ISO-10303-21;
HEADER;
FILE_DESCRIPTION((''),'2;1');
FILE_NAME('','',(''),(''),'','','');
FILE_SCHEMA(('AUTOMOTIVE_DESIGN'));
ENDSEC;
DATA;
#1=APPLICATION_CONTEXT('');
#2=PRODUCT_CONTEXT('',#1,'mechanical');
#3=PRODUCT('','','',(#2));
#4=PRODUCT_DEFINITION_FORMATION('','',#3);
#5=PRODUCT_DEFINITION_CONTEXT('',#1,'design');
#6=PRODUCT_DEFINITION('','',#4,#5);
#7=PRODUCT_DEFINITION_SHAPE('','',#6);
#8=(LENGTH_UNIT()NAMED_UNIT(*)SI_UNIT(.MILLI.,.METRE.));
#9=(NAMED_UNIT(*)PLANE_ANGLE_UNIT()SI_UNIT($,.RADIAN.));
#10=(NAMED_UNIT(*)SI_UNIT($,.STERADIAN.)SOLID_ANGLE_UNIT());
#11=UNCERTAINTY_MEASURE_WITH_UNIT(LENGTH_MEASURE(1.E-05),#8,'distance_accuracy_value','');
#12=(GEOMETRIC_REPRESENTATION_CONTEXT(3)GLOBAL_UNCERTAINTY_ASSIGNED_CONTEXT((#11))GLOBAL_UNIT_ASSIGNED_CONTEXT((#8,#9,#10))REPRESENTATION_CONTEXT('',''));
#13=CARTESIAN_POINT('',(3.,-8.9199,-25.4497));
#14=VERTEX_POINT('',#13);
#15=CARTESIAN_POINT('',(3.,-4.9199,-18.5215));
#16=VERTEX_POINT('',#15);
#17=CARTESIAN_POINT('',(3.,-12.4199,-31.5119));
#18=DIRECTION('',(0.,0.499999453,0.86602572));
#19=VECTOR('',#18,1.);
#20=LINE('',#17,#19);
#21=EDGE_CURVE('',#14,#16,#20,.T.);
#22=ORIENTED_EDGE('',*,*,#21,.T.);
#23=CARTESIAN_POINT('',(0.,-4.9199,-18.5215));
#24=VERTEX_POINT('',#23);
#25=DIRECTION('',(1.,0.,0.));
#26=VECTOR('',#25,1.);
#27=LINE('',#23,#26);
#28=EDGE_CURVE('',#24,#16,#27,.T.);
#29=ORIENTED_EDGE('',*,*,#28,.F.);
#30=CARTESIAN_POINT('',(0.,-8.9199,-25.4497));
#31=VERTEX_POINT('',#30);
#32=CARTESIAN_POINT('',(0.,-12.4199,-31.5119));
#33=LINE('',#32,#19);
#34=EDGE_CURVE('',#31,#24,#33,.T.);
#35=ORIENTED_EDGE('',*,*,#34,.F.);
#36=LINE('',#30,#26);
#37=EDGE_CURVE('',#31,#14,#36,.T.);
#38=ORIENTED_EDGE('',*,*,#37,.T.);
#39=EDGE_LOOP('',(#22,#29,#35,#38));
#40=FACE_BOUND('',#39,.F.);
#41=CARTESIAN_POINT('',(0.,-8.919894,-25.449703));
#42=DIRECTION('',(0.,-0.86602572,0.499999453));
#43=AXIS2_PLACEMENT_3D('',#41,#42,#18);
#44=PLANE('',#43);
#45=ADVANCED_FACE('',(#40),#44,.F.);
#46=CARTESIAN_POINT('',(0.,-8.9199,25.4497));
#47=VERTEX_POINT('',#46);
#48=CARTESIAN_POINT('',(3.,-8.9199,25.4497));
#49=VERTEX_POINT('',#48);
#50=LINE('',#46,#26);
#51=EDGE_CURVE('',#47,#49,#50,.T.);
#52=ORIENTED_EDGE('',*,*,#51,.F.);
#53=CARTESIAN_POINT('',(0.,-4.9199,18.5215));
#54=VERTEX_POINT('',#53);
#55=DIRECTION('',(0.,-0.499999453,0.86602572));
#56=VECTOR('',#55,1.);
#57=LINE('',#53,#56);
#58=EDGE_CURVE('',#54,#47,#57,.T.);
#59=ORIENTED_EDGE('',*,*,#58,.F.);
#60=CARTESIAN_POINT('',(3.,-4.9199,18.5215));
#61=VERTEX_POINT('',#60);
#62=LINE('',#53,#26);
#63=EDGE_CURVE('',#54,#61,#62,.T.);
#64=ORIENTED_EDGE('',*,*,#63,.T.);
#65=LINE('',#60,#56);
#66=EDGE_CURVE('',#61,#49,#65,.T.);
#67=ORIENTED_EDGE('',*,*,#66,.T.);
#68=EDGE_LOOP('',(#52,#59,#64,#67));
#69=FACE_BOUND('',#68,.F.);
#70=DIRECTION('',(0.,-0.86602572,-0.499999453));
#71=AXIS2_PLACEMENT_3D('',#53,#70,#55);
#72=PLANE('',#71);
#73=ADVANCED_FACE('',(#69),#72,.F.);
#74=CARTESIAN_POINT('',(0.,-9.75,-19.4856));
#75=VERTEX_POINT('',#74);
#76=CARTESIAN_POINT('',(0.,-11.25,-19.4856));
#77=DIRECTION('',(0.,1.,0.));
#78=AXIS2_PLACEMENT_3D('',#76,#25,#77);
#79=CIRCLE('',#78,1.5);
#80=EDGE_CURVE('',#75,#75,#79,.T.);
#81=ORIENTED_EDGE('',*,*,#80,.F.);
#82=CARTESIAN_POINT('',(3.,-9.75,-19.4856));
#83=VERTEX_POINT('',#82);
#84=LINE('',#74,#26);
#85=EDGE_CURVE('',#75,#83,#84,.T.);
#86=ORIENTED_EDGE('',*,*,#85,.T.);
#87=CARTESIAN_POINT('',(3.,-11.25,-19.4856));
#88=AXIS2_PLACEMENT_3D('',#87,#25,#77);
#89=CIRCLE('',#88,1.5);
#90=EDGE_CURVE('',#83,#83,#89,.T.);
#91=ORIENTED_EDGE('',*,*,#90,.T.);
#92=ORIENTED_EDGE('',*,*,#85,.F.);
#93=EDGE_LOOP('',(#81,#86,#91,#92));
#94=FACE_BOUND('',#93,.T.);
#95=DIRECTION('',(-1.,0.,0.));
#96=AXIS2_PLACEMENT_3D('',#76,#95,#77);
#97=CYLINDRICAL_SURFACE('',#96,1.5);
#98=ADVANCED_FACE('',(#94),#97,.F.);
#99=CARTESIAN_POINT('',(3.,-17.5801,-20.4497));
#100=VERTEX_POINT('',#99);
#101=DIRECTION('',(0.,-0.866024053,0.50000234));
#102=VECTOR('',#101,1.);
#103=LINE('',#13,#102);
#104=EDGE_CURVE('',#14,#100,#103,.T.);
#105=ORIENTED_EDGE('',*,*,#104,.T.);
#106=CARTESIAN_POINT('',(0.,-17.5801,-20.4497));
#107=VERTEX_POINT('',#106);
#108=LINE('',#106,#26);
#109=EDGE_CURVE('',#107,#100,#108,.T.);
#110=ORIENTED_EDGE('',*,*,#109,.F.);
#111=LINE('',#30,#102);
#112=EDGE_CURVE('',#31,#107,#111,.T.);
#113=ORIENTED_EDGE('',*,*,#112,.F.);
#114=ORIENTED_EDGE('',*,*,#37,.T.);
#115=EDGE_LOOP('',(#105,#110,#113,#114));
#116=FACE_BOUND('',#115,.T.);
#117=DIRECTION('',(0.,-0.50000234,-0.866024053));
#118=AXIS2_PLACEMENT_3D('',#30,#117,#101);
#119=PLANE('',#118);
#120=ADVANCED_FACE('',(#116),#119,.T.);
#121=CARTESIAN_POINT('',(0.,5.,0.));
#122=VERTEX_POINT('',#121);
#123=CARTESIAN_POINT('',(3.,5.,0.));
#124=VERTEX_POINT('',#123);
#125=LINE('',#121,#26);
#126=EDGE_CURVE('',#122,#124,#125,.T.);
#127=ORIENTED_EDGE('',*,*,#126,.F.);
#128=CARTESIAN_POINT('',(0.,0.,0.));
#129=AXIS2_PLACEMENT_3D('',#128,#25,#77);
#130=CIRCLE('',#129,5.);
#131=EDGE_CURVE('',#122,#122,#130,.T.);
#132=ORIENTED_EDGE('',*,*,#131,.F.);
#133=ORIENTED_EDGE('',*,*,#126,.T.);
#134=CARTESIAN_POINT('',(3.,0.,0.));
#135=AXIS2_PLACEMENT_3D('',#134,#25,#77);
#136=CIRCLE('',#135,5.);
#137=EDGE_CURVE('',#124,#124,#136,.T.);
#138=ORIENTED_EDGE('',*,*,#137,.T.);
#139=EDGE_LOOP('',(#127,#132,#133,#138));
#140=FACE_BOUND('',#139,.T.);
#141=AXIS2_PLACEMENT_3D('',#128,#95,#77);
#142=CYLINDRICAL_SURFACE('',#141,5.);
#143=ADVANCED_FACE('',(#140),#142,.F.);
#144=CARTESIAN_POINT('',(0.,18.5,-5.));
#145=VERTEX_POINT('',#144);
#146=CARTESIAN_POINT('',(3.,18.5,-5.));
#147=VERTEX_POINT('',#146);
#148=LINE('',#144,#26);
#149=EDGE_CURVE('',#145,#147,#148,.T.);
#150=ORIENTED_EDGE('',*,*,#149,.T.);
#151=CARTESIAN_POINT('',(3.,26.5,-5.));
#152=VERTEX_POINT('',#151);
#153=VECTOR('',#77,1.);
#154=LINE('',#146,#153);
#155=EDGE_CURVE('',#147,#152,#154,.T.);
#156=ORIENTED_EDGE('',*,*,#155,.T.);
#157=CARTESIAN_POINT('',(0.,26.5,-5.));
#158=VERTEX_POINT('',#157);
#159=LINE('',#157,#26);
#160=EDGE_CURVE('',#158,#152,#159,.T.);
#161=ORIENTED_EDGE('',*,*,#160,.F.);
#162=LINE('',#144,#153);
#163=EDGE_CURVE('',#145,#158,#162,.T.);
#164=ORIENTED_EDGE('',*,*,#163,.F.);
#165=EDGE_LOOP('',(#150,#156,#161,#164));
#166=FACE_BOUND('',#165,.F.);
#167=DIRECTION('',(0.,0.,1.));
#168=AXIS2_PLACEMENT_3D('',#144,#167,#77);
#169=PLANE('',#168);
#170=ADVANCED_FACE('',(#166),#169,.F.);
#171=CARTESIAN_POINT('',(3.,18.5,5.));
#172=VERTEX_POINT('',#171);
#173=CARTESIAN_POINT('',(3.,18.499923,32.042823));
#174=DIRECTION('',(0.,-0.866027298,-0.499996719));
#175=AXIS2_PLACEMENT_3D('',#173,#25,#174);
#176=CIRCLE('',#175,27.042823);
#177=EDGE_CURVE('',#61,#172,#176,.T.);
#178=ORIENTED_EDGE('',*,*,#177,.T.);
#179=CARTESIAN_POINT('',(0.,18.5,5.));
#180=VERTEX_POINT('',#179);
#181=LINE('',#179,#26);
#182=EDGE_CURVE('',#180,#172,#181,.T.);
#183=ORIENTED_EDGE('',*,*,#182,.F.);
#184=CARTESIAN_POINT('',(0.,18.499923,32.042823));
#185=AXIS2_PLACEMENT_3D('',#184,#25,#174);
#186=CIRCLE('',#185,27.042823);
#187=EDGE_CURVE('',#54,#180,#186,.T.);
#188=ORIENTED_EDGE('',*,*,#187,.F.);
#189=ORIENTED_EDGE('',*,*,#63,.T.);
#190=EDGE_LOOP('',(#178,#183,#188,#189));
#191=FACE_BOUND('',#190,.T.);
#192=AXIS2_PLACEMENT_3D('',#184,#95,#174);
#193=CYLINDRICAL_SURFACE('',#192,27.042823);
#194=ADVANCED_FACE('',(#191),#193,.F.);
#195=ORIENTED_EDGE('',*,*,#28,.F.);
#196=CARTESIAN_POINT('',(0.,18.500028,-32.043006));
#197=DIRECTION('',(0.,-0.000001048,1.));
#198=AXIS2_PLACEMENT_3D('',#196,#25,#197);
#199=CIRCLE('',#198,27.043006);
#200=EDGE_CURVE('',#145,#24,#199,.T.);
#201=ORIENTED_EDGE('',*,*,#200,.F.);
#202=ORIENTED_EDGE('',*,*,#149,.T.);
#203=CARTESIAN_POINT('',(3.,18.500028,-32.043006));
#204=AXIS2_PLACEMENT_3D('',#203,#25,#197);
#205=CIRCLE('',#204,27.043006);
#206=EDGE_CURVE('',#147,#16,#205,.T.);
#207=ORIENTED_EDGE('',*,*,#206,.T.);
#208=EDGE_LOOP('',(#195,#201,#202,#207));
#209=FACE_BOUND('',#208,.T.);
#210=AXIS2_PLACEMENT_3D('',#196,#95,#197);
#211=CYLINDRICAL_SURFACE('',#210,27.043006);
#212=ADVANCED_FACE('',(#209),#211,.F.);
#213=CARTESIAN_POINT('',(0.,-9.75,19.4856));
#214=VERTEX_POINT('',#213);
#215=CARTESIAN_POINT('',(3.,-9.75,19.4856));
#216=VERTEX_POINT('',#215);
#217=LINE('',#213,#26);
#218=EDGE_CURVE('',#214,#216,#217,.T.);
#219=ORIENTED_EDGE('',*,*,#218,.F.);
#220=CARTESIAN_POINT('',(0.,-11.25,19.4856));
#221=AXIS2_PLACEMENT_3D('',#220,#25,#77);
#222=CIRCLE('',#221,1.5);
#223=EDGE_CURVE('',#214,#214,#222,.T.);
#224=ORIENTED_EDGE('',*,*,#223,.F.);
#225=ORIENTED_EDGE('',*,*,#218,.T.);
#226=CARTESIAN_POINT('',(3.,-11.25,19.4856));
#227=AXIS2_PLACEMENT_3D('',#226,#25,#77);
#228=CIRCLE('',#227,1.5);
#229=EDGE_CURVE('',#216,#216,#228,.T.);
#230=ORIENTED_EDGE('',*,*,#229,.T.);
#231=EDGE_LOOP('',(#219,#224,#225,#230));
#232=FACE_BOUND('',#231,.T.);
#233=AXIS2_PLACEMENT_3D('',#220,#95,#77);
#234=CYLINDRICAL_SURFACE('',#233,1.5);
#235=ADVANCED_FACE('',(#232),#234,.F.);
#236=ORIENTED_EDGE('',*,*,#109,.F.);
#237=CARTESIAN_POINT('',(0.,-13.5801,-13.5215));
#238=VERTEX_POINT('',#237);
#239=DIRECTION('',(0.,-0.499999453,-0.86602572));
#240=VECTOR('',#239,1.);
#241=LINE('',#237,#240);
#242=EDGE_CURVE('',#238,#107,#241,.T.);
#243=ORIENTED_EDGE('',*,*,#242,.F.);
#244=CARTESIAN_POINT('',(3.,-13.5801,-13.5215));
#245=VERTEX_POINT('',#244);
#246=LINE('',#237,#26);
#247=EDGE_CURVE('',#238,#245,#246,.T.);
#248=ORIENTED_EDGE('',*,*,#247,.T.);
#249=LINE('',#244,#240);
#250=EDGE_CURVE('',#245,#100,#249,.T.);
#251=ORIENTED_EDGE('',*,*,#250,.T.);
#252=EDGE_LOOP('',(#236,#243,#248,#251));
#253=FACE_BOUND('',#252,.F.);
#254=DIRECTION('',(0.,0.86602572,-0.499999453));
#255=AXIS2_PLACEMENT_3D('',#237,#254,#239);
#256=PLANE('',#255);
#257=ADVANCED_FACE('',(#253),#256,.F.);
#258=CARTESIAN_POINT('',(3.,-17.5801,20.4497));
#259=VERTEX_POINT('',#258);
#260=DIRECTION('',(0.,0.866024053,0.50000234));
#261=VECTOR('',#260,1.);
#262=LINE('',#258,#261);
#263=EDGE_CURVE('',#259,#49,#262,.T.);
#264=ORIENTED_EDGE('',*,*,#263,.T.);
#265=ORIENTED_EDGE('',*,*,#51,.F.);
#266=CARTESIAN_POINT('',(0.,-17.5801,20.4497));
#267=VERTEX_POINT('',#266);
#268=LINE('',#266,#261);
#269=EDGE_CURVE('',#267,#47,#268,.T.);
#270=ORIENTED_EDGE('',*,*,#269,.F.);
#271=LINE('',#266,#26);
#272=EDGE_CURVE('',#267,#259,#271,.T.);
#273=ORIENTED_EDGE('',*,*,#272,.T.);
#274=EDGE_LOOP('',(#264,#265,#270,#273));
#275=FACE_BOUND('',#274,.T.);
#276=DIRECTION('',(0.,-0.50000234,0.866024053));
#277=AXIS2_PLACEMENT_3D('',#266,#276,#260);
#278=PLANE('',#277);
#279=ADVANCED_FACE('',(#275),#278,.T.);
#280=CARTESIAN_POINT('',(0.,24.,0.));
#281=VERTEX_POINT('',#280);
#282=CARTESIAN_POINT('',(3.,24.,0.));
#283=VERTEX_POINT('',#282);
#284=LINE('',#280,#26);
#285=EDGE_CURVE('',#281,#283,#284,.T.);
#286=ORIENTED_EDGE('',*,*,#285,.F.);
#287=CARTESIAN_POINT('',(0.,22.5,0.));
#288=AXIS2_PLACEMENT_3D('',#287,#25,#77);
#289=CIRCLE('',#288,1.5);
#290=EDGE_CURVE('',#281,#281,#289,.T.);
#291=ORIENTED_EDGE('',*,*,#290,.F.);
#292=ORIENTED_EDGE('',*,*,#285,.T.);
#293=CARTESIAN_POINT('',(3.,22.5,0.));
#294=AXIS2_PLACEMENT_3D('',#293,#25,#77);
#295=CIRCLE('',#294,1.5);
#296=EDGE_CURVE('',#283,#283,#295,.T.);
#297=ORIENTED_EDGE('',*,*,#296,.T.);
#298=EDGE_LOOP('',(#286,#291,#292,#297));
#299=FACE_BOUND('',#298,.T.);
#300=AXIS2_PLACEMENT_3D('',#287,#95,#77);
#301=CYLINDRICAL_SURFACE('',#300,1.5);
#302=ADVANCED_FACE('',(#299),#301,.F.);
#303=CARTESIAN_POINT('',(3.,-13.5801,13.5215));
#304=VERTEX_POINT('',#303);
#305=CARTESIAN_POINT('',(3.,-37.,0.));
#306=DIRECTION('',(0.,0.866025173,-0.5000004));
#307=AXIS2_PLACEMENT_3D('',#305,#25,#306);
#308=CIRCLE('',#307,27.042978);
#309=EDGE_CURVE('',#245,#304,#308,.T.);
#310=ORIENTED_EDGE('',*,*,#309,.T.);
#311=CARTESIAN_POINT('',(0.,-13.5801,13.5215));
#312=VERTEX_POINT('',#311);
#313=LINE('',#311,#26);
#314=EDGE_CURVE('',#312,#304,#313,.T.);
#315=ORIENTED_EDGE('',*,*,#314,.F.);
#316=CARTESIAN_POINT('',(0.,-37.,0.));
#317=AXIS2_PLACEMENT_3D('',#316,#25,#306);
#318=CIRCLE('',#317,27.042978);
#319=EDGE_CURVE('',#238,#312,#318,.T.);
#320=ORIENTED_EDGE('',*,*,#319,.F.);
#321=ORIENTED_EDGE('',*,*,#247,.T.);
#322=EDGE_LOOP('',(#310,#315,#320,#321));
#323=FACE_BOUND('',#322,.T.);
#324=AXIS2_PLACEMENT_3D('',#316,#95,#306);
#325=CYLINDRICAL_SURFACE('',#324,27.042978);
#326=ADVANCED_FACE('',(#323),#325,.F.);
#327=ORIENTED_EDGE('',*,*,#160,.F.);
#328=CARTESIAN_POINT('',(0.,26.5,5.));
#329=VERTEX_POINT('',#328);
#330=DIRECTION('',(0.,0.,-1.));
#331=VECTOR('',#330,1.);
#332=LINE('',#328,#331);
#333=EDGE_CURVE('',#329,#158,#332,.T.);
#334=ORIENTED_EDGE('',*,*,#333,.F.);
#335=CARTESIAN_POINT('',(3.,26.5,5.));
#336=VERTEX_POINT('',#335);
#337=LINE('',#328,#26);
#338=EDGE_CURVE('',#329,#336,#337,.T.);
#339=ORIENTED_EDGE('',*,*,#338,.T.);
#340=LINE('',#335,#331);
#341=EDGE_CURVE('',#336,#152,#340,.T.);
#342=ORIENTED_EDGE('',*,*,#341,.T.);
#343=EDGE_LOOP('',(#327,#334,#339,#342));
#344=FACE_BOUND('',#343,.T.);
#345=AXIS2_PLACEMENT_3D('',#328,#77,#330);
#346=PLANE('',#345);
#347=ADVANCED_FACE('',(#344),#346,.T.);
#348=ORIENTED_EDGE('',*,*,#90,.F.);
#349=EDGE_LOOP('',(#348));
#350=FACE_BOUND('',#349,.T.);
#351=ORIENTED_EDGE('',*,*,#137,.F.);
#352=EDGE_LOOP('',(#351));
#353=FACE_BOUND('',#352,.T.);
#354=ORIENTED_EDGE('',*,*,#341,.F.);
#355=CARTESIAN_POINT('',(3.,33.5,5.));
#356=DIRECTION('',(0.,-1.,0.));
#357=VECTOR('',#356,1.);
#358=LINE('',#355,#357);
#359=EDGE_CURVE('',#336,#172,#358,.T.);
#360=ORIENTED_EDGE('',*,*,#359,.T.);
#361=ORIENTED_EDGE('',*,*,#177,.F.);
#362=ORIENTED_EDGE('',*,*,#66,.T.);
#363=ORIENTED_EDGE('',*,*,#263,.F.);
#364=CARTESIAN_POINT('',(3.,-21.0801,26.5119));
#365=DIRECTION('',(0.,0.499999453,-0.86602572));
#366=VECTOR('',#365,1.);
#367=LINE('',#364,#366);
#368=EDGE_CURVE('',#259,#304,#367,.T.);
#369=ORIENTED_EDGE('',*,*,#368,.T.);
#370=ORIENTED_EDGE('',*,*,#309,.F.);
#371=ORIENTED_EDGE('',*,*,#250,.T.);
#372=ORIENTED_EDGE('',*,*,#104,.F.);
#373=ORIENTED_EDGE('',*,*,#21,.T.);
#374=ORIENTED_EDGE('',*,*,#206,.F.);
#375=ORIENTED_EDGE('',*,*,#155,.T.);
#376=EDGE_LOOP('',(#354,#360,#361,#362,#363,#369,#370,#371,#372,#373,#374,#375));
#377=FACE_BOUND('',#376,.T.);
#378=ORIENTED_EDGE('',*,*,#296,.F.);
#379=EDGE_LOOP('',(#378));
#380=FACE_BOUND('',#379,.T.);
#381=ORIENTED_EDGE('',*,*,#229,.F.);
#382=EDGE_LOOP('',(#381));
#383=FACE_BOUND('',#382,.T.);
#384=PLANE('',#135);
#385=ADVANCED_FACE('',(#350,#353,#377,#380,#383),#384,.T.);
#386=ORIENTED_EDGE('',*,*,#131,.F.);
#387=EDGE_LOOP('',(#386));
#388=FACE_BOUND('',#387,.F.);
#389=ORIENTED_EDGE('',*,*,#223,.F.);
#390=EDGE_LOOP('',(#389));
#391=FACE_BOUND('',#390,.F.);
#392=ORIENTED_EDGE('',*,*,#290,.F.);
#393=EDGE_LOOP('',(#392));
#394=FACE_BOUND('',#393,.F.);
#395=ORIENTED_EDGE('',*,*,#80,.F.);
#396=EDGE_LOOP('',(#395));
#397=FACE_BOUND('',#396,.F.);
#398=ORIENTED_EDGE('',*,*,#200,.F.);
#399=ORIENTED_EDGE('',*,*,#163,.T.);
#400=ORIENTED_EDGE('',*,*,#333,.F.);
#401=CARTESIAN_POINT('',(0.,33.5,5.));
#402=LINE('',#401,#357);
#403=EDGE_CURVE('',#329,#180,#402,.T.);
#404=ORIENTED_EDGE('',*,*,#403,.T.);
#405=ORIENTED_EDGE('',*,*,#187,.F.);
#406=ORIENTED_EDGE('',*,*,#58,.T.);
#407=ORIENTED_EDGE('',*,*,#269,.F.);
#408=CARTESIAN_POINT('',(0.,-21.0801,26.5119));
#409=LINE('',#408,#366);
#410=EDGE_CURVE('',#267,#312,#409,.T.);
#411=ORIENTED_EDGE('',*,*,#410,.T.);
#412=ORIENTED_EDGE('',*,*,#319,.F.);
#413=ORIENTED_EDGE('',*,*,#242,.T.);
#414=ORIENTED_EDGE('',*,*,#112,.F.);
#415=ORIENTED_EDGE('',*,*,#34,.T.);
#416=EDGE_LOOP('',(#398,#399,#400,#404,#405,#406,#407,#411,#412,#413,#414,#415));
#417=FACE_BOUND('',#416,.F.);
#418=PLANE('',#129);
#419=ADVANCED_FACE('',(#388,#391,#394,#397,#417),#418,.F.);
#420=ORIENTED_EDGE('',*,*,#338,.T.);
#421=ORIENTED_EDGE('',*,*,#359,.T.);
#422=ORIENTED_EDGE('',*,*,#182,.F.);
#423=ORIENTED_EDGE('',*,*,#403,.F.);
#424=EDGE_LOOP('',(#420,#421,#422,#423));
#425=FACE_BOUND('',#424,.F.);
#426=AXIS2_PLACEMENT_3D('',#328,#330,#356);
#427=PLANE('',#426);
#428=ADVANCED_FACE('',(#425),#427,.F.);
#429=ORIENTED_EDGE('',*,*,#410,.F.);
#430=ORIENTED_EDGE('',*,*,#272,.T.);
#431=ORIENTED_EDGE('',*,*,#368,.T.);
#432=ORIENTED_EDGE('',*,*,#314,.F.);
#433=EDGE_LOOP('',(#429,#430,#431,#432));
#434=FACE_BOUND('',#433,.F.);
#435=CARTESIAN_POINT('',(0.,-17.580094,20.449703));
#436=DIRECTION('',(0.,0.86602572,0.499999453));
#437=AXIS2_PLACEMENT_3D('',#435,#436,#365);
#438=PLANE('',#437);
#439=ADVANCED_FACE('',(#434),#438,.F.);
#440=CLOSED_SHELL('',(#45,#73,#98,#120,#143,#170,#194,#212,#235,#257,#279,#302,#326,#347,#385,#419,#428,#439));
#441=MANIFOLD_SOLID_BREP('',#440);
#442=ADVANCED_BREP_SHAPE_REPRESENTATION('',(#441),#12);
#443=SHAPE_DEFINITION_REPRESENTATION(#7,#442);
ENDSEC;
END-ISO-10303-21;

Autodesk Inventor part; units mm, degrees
ref_plane "YZ Plane" through (0, 0, 0) normal (1, 0, 0) x (0, 1, 0)
ref_plane "XZ Plane" through (0, 0, 0) normal (0, 1, 0) x (-1, 0, 0)
ref_plane "XY Plane" through (0, 0, 0) normal (0, 0, 1) x (1, 0, 0)
sketch "草图1" plane through (0, 0, 0) normal (1, 0, 0) x (0, 1, 0)
  circle A0 centre (0, 0) radius 33.5
  circle A1 centre (33.5, 0) radius 5
  circle A2 centre (-16.75, 29.0119) radius 5
  circle A3 centre (-16.75, -29.0119) radius 5
  line L0 (33.5, 5) -> (18.5, 5)
  line L1 (18.5, 5) -> (18.5, -5)
  line L2 (18.5, -5) -> (33.5, -5)
  line L3 (33.5, -5) -> (33.5, 5)
  line L4 (-21.0801, 26.5119) -> (-13.5801, 13.5215)
  line L5 (-4.9199, 18.5215) -> (-12.4199, 31.5119)
  line L6 (-12.4199, -31.5119) -> (-4.9199, -18.5215)
  line L7 (-13.5801, -13.5215) -> (-21.0801, -26.5119)
  arc A4 (-4.9199, 18.5215) -> (18.5, 5) centre (18.5, 32.0429) ccw
  circle A5 centre (22.5, 0) radius 1.5
  line L8 (26.5, 5) -> (26.5, -5)
  arc A6 (-13.5801, -13.5215) -> (-13.5801, 13.5215) centre (-37, 0) ccw
  line L9 (-17.5801, 20.4497) -> (-8.9199, 25.4497)
  circle A7 centre (-11.25, 19.4856) radius 1.5
  arc A8 (18.5, -5) -> (-4.9199, -18.5215) centre (18.5, -32.0429) ccw
  line L10 (-8.9199, -25.4497) -> (-17.5801, -20.4497)
  circle A9 centre (-11.25, -19.4856) radius 1.5
  circle A10 centre (0, 0) radius 5
  point P0 (-4.9199, -18.5215)
  point P1 (18.5, -5)
  point P2 (-8.9199, 25.4497)
  point P3 (-13.5801, 13.5215)
  point P4 (-13.5801, -13.5215)
  point P5 (-17.5801, -20.4497)
  point P6 (-8.9199, -25.4497)
  dimension "d0" = 67
  dimension "d1" = 10
  dimension "d6" = 360
  dimension "d8" = 15
  dimension "d11" = 360
  dimension "d13" = 3
  dimension "d14" = 11
  dimension "d15" = 7
  dimension "d18" = 360
  dimension "d20" = 10
extrude "拉伸1" add sketch "草图1" along normal blind 3 contours L8 L2 L1 L0 | L5 A4 L1 A8 L6 L10 L7 A6 L4 L9
equation "\"折弯半径\" = 厚度"
equation "\"折弯释压宽度\" = 厚度"
equation "\"折弯释压深度\" = 0.5 * 厚度"
equation "\"拐角释压尺寸\" = 4 * 厚度"
equation "\"最小余量\" = 2 * 厚度"
equation "\"过渡半径\" = 折弯半径"
equation "\"Jacobi半径尺寸\" = 折弯半径"
equation "\"间隙大小\" = 厚度"
equation "\"厚度\" = 0.5"
properties part number "CAR_TRI_FRAME"
